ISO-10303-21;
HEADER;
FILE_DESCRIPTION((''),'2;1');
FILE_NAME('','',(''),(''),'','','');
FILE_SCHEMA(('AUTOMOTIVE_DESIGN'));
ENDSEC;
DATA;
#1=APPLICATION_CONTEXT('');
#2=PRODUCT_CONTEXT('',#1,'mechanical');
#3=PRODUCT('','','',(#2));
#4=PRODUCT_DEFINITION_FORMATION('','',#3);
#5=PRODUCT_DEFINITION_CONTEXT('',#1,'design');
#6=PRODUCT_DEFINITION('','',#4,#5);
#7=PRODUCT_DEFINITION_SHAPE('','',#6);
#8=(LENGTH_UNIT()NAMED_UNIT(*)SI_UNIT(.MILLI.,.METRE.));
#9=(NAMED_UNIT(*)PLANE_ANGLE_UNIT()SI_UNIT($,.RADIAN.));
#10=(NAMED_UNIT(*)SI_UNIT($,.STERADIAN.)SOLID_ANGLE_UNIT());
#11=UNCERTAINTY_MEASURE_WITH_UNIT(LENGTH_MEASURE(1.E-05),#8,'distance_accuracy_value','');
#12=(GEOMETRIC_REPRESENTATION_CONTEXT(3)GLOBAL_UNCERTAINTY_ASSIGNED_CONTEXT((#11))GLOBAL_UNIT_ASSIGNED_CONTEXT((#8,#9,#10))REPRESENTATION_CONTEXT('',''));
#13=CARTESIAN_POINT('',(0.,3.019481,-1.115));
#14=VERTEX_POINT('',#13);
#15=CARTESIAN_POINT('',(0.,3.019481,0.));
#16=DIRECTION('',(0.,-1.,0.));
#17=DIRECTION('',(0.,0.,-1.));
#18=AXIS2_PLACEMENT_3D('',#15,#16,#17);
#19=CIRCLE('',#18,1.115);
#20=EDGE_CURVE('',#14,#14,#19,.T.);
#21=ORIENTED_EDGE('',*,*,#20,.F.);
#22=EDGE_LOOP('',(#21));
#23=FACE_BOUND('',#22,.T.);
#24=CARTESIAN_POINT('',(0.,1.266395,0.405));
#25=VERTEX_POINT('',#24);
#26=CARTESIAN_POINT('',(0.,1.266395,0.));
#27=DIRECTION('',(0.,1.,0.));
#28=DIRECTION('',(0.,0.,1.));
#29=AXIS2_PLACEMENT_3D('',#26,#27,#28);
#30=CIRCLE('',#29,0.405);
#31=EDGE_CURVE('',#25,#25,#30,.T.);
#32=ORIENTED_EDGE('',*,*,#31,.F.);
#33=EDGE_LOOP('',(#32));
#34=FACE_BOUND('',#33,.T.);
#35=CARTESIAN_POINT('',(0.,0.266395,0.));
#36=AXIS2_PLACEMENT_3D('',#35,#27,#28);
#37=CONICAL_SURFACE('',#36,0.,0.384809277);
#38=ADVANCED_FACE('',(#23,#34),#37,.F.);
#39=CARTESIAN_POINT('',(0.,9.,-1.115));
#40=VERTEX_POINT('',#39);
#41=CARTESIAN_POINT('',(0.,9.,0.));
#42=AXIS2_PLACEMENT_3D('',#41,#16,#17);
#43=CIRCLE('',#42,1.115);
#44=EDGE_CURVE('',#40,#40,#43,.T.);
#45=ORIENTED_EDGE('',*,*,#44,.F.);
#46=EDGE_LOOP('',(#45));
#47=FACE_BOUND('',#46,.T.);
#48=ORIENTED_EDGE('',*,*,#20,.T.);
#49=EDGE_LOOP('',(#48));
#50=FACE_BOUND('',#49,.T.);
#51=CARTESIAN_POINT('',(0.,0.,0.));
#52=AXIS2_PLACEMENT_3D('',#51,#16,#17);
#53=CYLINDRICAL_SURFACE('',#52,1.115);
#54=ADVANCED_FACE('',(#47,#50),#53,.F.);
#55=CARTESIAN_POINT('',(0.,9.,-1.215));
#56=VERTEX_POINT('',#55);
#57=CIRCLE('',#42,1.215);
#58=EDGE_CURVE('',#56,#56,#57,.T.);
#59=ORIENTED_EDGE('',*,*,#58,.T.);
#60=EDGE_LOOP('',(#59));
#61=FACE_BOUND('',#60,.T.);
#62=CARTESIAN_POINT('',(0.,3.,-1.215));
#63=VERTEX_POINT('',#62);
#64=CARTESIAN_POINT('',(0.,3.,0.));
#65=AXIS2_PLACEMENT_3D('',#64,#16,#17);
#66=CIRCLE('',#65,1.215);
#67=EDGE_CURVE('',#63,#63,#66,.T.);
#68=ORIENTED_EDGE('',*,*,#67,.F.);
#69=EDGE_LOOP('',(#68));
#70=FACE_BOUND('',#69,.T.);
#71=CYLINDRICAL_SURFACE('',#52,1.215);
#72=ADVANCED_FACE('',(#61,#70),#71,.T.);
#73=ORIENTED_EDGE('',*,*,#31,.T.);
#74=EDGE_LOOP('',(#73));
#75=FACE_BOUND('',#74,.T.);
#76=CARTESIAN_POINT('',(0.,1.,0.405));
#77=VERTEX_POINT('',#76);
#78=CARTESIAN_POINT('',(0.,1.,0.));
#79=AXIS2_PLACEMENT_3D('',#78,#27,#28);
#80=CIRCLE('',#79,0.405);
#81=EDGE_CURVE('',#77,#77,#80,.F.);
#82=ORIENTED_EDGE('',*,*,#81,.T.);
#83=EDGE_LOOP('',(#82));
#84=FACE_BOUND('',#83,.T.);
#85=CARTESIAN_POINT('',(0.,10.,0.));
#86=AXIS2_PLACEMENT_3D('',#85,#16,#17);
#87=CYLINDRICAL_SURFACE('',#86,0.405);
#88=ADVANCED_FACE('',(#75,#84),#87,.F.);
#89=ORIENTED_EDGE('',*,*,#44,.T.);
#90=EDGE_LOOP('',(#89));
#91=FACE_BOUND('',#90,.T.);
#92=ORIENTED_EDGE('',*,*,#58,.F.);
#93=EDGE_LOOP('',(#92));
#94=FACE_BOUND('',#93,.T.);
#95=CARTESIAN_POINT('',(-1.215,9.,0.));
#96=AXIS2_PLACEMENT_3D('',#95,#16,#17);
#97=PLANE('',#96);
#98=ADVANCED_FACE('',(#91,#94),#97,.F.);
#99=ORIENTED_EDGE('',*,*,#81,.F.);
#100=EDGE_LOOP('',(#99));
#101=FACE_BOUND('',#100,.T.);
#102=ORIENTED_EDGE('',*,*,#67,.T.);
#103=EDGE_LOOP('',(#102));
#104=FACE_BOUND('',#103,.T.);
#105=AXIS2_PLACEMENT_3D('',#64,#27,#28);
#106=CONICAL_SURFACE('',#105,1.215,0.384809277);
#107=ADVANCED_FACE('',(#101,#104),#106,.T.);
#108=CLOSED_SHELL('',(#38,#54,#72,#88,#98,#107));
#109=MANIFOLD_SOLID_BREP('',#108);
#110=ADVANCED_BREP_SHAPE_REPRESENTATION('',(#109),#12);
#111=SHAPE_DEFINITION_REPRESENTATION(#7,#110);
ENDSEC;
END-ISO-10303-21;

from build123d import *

# Parameters (mm, degrees)
SKETCH2_R          = 0.405
CUT_EXTRUDE1_DEPTH = 10


with BuildPart() as part:
    # Sketch1 → Revolve1 (revolve)
    with BuildSketch(Plane.XY):
        Polygon((-1.215, 9), (-1.215, 3), (0, 0), (0, 0.266395038), (-1.115, 3.019481457), (-1.115, 9), align=None)
    revolve(axis=Axis((0, 0, 0), (0, 1, 0)))

    # Sketch2 → Cut-Extrude1 (cut)
    with BuildSketch(Plane(origin=(0, 0, 0), x_dir=(1, 0, 0), z_dir=(0, 1, 0))):
        Circle(SKETCH2_R)
    extrude(amount=CUT_EXTRUDE1_DEPTH, mode=Mode.SUBTRACT)


solid = part.part
